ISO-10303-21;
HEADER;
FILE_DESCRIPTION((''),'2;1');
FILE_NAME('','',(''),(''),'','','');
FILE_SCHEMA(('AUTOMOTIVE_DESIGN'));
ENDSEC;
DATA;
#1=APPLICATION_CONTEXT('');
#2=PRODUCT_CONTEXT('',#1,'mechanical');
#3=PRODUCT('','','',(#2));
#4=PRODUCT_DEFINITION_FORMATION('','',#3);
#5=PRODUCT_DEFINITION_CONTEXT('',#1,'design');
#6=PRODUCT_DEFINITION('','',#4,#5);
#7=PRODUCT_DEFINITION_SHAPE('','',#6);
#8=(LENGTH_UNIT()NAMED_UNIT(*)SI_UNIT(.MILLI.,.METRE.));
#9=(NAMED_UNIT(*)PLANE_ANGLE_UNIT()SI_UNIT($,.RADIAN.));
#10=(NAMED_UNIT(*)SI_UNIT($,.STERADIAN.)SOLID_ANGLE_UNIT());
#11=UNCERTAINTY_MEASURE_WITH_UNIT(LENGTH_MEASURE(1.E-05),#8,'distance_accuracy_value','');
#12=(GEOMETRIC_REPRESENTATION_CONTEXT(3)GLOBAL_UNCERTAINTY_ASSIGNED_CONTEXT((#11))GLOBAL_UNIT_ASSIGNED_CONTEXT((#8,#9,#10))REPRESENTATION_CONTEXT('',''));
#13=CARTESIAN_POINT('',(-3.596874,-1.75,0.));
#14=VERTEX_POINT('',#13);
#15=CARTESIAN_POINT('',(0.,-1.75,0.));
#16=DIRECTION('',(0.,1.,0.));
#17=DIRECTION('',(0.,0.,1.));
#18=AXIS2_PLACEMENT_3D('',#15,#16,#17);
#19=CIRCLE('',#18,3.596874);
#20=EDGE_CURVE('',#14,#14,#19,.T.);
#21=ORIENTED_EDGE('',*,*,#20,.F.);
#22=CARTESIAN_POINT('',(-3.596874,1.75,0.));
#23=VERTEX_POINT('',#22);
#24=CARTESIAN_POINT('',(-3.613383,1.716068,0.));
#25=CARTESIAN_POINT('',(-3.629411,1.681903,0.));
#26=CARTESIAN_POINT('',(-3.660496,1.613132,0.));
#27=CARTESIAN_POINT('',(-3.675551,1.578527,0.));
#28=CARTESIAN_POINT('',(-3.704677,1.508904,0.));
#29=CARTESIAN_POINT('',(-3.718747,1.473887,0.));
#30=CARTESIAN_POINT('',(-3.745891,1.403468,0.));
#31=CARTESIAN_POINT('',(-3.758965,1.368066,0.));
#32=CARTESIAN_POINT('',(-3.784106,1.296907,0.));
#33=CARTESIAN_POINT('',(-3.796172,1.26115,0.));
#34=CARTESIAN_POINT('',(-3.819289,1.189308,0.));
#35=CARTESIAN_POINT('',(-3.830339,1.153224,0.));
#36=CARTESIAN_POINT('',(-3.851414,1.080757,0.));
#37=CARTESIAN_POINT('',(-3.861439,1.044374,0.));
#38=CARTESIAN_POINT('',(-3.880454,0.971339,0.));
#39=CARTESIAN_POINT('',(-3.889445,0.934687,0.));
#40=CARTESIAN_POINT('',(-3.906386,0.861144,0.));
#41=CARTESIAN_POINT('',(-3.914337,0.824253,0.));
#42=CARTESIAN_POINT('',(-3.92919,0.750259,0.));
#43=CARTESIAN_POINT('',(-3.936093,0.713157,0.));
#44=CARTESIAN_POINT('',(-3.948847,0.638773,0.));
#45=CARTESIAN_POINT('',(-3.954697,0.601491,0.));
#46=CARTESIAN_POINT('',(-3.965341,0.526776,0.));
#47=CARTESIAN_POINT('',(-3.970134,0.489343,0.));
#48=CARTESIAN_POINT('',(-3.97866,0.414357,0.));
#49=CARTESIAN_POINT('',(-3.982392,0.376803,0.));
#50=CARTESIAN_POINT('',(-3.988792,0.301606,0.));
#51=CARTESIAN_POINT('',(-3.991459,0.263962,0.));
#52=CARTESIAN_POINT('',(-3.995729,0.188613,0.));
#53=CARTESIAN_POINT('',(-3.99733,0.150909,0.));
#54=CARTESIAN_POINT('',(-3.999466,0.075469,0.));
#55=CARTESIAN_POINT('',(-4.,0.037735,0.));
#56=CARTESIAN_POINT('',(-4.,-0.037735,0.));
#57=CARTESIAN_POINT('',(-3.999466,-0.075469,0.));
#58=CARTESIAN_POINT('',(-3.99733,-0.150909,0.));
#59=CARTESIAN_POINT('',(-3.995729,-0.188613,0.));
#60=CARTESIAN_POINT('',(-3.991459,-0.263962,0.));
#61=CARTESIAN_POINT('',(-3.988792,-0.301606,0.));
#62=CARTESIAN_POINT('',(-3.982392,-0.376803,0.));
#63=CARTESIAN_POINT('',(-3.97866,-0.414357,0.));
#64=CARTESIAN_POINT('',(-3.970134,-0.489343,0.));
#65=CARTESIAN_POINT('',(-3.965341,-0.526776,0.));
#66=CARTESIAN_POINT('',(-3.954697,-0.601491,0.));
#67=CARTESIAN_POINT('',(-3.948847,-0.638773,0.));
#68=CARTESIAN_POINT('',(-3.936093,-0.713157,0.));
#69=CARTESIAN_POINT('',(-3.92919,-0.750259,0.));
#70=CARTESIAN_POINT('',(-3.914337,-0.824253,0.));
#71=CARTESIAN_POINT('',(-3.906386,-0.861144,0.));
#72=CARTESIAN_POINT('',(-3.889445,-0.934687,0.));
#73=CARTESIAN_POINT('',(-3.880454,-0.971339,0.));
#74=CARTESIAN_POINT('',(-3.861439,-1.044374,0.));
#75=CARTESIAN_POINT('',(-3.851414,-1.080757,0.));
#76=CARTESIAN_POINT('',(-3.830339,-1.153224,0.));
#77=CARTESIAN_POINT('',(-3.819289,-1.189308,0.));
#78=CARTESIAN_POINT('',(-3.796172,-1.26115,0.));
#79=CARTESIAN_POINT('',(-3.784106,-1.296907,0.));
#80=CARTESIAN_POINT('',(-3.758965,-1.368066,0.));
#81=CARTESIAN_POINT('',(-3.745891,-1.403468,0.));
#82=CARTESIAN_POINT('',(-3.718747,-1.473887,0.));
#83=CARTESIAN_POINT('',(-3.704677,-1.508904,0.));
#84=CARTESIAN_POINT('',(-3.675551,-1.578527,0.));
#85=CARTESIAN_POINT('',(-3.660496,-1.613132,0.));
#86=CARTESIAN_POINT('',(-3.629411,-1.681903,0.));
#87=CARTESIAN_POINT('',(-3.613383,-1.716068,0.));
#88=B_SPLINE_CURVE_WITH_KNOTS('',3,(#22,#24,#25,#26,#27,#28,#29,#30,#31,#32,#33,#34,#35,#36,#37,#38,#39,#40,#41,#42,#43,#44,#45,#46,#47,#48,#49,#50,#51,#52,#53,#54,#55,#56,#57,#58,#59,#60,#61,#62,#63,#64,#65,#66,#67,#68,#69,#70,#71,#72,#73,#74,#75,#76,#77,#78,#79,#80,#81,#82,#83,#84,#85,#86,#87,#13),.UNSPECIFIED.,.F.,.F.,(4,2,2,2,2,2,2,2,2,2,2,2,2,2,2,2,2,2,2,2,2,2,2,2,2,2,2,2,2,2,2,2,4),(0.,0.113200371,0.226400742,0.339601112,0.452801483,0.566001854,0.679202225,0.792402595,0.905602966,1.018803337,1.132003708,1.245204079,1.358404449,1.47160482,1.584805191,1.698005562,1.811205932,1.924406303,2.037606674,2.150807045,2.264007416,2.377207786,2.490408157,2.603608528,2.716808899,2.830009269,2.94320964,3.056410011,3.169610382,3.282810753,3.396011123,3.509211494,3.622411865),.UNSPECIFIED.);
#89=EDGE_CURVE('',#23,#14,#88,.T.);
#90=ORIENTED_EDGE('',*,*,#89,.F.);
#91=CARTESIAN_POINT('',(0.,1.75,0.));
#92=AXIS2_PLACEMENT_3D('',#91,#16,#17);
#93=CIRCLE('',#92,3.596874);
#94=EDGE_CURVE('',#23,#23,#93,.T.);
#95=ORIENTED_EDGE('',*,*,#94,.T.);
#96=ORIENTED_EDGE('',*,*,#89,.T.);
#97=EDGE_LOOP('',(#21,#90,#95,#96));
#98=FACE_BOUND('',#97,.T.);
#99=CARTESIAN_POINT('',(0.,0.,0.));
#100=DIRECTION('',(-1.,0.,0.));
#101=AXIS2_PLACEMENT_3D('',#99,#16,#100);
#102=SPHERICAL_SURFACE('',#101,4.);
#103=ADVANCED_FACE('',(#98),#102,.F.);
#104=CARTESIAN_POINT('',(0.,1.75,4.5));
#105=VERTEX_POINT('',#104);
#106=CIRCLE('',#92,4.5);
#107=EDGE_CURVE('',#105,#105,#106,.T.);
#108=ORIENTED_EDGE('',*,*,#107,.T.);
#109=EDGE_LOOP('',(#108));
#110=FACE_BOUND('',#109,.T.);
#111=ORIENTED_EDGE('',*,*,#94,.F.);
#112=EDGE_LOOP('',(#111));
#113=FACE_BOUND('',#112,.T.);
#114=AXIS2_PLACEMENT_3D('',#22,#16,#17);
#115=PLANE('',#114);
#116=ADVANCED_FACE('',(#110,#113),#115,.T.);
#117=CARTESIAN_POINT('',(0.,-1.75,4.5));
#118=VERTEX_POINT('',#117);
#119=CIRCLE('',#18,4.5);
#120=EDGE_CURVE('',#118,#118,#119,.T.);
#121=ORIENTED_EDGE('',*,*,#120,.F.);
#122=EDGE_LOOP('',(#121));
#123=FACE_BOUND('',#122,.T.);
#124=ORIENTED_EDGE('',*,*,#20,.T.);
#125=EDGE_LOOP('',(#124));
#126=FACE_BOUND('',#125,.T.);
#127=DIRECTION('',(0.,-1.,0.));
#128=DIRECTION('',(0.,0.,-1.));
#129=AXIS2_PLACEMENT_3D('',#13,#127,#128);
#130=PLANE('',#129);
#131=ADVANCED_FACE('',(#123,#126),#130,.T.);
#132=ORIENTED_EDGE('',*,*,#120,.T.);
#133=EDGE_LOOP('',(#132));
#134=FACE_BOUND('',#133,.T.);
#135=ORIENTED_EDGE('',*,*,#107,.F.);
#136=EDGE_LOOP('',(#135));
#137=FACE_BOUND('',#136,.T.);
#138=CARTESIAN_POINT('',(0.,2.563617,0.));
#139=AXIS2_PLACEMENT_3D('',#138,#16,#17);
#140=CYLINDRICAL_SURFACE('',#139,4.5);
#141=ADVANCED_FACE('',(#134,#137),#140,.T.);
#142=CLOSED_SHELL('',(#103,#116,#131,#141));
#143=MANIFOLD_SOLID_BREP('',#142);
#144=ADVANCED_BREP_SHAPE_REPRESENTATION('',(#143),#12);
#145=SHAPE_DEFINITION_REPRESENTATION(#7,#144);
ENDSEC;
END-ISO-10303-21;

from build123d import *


with BuildPart() as part:
    # Esquisse1 → Révolution1 (revolve)
    with BuildSketch(Plane.XY):
        with BuildLine():
            Line((-3.596873642, 1.75), (-4.5, 1.75))
            Line((-4.5, 1.75), (-4.5, -1.75))
            Line((-4.5, -1.75), (-3.596873642, -1.75))
            ThreePointArc((-3.596873642, -1.75), (-4, 0), (-3.596873642, 1.75))
        make_face()
    revolve(axis=Axis((0, 2.563616521, 0), (0, -1, 0)))


solid = part.part
